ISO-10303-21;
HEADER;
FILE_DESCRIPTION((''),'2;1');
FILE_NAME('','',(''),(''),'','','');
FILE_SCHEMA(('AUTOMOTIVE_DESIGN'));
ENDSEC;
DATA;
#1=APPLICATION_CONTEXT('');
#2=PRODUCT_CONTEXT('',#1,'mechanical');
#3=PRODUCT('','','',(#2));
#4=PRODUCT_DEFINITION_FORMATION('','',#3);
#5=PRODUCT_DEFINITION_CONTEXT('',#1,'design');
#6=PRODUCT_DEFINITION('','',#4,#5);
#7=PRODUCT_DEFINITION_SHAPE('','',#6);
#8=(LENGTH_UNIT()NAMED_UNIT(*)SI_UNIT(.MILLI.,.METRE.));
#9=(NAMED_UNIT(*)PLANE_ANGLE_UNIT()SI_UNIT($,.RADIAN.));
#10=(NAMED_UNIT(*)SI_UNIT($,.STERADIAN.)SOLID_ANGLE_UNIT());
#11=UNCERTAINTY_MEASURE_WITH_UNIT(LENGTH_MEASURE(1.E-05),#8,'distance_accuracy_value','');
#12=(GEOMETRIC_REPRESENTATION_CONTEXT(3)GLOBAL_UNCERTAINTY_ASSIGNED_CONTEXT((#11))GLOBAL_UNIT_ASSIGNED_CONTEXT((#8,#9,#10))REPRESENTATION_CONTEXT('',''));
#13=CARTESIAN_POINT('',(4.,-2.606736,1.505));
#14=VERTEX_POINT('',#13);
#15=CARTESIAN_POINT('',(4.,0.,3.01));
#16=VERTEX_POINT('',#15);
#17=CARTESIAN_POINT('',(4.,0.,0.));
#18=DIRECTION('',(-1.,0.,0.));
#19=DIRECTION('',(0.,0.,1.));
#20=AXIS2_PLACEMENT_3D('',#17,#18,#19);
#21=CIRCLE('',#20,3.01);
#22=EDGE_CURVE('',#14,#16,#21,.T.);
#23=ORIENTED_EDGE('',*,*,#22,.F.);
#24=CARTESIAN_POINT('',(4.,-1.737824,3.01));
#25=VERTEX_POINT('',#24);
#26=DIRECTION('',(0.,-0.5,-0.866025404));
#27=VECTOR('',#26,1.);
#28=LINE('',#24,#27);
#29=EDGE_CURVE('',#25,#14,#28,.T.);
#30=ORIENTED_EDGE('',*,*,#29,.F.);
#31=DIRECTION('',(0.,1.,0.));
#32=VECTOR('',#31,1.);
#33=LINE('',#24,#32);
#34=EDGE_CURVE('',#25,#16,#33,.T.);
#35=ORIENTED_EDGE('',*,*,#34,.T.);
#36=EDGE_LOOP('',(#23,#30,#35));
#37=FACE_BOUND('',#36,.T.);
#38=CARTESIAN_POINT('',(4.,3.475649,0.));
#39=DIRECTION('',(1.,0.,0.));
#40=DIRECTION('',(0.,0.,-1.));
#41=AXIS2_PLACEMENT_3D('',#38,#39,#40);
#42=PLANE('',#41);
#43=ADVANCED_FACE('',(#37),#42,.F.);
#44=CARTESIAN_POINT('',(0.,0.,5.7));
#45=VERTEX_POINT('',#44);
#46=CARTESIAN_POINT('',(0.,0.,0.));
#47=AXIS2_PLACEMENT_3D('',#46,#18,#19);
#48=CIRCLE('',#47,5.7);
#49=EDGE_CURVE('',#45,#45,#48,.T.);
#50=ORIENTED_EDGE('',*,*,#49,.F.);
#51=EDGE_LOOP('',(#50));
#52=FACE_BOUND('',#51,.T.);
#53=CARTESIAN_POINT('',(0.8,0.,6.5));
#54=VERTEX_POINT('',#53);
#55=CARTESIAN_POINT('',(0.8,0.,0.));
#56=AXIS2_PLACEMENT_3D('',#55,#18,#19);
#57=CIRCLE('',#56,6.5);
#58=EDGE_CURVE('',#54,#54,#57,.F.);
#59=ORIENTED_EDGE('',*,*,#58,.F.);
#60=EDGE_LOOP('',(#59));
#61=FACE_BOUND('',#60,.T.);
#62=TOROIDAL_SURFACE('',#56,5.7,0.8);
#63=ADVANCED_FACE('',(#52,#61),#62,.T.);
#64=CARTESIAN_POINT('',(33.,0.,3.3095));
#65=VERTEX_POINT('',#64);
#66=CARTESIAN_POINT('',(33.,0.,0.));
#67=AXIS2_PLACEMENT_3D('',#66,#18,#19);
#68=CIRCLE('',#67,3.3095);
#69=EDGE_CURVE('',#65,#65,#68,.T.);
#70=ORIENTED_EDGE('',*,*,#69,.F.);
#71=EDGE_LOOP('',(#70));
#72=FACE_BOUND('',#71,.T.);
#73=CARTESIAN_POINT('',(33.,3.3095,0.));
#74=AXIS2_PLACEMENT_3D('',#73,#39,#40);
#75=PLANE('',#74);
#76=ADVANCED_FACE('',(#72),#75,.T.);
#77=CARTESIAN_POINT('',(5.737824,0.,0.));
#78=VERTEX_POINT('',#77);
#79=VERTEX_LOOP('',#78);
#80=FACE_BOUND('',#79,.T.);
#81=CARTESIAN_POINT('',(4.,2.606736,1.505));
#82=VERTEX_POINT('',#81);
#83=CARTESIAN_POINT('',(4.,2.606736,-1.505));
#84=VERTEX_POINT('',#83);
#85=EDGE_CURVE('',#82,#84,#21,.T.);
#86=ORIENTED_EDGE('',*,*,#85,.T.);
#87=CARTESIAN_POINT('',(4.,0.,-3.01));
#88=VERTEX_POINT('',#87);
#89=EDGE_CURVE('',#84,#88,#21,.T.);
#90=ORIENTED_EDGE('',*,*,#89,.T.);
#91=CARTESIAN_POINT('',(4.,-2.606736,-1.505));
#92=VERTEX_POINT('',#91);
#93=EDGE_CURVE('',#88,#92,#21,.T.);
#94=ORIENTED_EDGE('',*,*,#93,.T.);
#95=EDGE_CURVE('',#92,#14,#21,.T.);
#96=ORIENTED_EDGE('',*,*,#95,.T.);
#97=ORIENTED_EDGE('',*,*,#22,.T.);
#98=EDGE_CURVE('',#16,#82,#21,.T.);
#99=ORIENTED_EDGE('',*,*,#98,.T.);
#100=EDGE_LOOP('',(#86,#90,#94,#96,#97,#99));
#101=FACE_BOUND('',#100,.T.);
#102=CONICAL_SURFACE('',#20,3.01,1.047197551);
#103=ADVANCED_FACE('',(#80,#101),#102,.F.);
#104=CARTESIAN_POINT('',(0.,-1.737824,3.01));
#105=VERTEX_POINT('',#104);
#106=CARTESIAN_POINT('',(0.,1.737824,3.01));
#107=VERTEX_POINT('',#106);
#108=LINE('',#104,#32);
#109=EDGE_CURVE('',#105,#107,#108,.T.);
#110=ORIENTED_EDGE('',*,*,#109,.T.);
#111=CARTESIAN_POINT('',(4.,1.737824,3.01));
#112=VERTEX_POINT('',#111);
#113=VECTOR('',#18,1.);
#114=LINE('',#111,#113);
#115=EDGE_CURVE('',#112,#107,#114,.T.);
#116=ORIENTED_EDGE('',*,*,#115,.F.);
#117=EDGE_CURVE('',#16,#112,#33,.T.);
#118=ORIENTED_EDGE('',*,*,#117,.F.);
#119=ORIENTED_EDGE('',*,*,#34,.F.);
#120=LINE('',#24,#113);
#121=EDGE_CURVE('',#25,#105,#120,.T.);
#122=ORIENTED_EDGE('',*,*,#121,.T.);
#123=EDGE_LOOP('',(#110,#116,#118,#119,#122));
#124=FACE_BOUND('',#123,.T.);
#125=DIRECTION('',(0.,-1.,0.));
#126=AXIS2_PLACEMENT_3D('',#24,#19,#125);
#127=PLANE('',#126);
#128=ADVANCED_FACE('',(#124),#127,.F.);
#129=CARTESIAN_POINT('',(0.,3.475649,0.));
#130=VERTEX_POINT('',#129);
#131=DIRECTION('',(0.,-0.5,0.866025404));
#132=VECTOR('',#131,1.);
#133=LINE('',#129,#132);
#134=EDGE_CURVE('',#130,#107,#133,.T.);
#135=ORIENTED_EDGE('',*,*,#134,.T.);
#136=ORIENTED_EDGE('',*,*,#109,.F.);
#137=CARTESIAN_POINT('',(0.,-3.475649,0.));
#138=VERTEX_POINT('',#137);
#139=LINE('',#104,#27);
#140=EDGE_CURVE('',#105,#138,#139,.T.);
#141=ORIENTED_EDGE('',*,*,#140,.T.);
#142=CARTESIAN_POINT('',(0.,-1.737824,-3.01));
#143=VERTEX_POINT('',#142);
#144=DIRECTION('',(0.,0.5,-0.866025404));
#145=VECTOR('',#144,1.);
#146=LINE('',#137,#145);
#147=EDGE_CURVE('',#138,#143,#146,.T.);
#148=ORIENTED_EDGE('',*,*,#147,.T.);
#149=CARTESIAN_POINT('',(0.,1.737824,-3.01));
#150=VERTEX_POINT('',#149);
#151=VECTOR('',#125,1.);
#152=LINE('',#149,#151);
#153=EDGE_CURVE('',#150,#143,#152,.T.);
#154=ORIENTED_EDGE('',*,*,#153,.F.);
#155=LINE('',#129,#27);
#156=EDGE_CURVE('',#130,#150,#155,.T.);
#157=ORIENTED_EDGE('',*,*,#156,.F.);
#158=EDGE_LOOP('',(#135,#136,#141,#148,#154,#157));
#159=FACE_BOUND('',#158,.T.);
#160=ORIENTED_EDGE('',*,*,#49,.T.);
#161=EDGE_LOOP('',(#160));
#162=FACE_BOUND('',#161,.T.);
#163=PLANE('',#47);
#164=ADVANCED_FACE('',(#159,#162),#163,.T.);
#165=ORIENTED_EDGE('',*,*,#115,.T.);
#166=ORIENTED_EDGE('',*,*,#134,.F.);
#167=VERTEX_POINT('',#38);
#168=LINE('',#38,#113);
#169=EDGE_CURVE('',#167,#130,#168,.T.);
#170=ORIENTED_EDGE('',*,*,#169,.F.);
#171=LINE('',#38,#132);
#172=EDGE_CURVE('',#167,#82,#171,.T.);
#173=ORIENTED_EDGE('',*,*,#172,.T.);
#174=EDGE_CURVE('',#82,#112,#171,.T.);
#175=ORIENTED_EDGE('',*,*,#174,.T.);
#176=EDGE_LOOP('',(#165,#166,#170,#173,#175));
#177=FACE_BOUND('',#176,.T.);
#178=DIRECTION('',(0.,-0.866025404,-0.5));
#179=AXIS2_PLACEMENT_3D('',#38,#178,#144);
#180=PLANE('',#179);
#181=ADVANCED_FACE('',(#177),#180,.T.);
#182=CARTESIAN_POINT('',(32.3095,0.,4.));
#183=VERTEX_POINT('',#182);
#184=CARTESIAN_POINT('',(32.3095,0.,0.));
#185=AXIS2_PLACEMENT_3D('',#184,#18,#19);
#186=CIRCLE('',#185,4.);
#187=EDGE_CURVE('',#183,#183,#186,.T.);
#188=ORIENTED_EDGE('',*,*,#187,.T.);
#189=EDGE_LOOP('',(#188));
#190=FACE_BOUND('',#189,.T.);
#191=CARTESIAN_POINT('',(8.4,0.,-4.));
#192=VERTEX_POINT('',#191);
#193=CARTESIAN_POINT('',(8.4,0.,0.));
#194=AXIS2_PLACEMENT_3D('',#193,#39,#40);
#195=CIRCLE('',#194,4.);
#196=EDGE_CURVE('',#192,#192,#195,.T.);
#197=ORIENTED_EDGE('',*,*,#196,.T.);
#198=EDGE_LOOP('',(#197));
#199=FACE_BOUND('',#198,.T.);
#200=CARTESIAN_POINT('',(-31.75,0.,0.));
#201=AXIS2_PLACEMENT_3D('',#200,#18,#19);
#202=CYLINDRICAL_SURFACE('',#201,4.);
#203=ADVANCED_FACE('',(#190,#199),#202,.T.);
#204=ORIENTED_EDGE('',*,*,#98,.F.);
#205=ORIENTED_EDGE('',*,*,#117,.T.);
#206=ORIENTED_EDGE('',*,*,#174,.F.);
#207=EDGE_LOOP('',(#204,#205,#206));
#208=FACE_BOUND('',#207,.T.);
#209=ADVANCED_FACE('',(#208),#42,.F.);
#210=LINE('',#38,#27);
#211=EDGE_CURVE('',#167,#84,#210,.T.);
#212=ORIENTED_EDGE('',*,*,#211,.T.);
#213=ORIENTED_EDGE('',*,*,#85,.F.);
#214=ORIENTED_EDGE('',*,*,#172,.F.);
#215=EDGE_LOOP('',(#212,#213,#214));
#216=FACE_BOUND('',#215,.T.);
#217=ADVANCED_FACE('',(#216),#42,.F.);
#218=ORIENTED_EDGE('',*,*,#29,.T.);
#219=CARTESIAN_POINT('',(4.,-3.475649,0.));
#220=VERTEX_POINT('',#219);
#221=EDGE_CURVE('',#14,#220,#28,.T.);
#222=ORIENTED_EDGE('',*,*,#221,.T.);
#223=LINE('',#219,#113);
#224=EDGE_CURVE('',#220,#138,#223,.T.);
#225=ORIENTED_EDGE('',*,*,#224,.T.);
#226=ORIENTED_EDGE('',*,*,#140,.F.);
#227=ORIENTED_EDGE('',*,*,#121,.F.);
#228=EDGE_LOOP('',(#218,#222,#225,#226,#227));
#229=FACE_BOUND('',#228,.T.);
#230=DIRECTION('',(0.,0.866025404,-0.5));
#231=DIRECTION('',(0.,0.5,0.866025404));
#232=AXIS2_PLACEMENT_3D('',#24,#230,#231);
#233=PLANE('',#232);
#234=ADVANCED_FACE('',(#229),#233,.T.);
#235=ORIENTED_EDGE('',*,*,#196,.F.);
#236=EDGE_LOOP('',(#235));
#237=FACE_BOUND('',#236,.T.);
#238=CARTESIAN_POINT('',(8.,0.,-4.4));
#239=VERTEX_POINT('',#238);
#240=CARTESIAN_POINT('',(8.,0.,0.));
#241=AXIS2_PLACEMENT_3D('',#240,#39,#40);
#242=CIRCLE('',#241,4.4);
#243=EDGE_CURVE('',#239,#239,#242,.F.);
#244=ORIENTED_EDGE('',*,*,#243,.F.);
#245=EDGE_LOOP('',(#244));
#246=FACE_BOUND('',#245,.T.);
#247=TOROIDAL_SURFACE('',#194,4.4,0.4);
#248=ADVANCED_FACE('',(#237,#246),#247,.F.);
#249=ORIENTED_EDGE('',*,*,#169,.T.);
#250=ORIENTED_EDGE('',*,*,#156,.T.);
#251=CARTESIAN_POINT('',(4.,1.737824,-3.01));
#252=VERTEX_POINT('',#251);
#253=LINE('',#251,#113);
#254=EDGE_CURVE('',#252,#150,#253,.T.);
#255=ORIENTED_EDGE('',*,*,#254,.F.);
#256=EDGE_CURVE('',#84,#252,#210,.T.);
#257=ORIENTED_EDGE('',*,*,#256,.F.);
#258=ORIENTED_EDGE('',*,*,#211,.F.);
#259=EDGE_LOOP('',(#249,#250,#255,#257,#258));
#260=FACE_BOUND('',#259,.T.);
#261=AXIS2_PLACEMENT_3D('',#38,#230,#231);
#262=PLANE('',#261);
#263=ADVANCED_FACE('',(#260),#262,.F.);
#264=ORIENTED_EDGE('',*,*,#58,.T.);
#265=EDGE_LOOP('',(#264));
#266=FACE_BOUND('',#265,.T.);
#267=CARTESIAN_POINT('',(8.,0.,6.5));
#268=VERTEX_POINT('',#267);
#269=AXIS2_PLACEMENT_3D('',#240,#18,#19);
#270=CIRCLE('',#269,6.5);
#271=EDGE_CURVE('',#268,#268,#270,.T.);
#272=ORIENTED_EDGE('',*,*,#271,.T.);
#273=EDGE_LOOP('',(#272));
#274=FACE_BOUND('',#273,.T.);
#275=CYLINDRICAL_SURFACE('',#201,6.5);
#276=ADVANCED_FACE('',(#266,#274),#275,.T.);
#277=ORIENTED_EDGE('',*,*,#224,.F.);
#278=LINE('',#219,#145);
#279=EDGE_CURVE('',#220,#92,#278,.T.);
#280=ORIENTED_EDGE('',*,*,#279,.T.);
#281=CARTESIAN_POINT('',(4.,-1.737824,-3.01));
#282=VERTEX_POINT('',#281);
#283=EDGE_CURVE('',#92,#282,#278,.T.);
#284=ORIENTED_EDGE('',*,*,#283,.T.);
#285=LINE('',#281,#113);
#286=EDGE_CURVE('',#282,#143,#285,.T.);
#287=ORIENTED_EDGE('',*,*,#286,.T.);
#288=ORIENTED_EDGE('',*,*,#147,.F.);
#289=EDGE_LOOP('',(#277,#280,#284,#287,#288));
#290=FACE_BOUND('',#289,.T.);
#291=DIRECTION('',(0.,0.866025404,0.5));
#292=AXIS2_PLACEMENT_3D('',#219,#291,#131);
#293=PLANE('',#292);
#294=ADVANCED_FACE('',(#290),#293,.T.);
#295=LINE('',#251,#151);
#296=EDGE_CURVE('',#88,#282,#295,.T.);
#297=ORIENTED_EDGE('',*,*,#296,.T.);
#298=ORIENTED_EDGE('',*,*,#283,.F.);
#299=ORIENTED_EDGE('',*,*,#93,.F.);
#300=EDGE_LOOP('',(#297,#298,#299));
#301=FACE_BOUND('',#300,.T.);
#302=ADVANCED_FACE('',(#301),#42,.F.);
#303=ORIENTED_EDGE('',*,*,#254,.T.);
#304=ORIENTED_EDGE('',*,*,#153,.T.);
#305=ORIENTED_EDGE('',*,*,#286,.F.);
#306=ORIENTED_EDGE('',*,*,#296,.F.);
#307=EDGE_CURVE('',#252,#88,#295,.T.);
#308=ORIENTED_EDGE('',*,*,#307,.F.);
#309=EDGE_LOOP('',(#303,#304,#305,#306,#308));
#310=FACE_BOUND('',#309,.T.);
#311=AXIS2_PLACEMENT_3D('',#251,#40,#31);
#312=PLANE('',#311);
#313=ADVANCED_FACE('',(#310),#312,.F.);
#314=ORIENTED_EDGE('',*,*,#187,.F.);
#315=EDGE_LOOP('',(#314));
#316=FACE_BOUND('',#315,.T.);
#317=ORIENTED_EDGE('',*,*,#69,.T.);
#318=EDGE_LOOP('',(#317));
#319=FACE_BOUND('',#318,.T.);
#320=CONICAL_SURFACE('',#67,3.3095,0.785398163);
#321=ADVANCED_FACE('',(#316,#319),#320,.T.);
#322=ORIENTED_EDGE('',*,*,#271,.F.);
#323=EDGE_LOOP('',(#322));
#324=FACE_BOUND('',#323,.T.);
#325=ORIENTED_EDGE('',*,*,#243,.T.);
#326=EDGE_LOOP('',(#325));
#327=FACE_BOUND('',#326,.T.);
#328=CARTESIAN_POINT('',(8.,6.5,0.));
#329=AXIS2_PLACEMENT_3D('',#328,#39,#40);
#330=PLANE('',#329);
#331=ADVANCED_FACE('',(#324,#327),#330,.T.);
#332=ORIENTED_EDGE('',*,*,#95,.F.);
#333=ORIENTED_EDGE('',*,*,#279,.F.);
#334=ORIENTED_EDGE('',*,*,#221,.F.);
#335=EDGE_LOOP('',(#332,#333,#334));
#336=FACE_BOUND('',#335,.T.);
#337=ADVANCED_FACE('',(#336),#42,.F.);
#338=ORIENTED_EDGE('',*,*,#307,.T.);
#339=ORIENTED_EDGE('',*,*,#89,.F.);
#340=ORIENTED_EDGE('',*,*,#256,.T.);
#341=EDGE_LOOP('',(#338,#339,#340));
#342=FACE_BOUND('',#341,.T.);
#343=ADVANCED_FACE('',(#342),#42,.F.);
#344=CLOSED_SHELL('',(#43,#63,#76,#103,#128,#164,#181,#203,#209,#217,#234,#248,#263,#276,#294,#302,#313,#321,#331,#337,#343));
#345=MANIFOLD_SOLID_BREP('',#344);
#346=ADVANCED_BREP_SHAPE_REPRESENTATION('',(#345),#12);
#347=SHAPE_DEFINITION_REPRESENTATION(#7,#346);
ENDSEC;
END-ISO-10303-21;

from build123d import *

# Parameters (mm, degrees)
FILLET1_R   = 0.4
FILLET2_R   = 0.8
HEX_2_DEPTH = 4


with BuildPart() as part:
    # BodySke → Base-Revolve (revolve)
    with BuildSketch(Plane.XY, mode=Mode.PRIVATE) as base_revolve_sk:
        Polygon((0, 0), (0, 6.5), (8, 6.5), (8, 4), (32.3095, 4), (33, 3.3095), (33, 0), align=None)
    revolve(base_revolve_sk.sketch.rotate(Axis((-31.75, 0, 0), (1, 0, 0)), 90), axis=Axis((-31.75, 0, 0), (1, 0, 0)))  # turned: the seam where the file's is

    # Fillet1
    fillet1_edges = [part.edges().sort_by_distance(p)[0] for p in [
        (8, 0, -4),
    ]]
    fillet(fillet1_edges, radius=FILLET1_R)

    # Fillet2
    fillet2_edges = [part.edges().sort_by_distance(p)[0] for p in [
        (0, 0, -6.5),
    ]]
    fillet(fillet2_edges, radius=FILLET2_R)

    # Sketch2 → Hex-PreBroach (revolve, cut)
    with BuildSketch(Plane.XY, mode=Mode.PRIVATE) as hex_prebroach_sk:
        Polygon((0, 3.01), (4, 3.01), (5.73782431, 0), (0, 0), align=None)
    revolve(hex_prebroach_sk.sketch.rotate(Axis((0, 0, 0), (1, 0, 0)), 90), axis=Axis((0, 0, 0), (1, 0, 0)), mode=Mode.SUBTRACT)  # turned: the seam where the file's is

    # Sketch3 → Hex 2 (cut)
    with BuildSketch(Plane(origin=(0, 0, 0), x_dir=(0, 0.5, 0.866025404), z_dir=(-1, 0, 0))):
        Polygon((1.73782431, 3.01), (-1.73782431, 3.01), (-3.475648621, 0), (-1.73782431, -3.01), (1.73782431, -3.01), (3.475648621, 0), align=None)
    extrude(amount=-HEX_2_DEPTH, mode=Mode.SUBTRACT)


solid = part.part
